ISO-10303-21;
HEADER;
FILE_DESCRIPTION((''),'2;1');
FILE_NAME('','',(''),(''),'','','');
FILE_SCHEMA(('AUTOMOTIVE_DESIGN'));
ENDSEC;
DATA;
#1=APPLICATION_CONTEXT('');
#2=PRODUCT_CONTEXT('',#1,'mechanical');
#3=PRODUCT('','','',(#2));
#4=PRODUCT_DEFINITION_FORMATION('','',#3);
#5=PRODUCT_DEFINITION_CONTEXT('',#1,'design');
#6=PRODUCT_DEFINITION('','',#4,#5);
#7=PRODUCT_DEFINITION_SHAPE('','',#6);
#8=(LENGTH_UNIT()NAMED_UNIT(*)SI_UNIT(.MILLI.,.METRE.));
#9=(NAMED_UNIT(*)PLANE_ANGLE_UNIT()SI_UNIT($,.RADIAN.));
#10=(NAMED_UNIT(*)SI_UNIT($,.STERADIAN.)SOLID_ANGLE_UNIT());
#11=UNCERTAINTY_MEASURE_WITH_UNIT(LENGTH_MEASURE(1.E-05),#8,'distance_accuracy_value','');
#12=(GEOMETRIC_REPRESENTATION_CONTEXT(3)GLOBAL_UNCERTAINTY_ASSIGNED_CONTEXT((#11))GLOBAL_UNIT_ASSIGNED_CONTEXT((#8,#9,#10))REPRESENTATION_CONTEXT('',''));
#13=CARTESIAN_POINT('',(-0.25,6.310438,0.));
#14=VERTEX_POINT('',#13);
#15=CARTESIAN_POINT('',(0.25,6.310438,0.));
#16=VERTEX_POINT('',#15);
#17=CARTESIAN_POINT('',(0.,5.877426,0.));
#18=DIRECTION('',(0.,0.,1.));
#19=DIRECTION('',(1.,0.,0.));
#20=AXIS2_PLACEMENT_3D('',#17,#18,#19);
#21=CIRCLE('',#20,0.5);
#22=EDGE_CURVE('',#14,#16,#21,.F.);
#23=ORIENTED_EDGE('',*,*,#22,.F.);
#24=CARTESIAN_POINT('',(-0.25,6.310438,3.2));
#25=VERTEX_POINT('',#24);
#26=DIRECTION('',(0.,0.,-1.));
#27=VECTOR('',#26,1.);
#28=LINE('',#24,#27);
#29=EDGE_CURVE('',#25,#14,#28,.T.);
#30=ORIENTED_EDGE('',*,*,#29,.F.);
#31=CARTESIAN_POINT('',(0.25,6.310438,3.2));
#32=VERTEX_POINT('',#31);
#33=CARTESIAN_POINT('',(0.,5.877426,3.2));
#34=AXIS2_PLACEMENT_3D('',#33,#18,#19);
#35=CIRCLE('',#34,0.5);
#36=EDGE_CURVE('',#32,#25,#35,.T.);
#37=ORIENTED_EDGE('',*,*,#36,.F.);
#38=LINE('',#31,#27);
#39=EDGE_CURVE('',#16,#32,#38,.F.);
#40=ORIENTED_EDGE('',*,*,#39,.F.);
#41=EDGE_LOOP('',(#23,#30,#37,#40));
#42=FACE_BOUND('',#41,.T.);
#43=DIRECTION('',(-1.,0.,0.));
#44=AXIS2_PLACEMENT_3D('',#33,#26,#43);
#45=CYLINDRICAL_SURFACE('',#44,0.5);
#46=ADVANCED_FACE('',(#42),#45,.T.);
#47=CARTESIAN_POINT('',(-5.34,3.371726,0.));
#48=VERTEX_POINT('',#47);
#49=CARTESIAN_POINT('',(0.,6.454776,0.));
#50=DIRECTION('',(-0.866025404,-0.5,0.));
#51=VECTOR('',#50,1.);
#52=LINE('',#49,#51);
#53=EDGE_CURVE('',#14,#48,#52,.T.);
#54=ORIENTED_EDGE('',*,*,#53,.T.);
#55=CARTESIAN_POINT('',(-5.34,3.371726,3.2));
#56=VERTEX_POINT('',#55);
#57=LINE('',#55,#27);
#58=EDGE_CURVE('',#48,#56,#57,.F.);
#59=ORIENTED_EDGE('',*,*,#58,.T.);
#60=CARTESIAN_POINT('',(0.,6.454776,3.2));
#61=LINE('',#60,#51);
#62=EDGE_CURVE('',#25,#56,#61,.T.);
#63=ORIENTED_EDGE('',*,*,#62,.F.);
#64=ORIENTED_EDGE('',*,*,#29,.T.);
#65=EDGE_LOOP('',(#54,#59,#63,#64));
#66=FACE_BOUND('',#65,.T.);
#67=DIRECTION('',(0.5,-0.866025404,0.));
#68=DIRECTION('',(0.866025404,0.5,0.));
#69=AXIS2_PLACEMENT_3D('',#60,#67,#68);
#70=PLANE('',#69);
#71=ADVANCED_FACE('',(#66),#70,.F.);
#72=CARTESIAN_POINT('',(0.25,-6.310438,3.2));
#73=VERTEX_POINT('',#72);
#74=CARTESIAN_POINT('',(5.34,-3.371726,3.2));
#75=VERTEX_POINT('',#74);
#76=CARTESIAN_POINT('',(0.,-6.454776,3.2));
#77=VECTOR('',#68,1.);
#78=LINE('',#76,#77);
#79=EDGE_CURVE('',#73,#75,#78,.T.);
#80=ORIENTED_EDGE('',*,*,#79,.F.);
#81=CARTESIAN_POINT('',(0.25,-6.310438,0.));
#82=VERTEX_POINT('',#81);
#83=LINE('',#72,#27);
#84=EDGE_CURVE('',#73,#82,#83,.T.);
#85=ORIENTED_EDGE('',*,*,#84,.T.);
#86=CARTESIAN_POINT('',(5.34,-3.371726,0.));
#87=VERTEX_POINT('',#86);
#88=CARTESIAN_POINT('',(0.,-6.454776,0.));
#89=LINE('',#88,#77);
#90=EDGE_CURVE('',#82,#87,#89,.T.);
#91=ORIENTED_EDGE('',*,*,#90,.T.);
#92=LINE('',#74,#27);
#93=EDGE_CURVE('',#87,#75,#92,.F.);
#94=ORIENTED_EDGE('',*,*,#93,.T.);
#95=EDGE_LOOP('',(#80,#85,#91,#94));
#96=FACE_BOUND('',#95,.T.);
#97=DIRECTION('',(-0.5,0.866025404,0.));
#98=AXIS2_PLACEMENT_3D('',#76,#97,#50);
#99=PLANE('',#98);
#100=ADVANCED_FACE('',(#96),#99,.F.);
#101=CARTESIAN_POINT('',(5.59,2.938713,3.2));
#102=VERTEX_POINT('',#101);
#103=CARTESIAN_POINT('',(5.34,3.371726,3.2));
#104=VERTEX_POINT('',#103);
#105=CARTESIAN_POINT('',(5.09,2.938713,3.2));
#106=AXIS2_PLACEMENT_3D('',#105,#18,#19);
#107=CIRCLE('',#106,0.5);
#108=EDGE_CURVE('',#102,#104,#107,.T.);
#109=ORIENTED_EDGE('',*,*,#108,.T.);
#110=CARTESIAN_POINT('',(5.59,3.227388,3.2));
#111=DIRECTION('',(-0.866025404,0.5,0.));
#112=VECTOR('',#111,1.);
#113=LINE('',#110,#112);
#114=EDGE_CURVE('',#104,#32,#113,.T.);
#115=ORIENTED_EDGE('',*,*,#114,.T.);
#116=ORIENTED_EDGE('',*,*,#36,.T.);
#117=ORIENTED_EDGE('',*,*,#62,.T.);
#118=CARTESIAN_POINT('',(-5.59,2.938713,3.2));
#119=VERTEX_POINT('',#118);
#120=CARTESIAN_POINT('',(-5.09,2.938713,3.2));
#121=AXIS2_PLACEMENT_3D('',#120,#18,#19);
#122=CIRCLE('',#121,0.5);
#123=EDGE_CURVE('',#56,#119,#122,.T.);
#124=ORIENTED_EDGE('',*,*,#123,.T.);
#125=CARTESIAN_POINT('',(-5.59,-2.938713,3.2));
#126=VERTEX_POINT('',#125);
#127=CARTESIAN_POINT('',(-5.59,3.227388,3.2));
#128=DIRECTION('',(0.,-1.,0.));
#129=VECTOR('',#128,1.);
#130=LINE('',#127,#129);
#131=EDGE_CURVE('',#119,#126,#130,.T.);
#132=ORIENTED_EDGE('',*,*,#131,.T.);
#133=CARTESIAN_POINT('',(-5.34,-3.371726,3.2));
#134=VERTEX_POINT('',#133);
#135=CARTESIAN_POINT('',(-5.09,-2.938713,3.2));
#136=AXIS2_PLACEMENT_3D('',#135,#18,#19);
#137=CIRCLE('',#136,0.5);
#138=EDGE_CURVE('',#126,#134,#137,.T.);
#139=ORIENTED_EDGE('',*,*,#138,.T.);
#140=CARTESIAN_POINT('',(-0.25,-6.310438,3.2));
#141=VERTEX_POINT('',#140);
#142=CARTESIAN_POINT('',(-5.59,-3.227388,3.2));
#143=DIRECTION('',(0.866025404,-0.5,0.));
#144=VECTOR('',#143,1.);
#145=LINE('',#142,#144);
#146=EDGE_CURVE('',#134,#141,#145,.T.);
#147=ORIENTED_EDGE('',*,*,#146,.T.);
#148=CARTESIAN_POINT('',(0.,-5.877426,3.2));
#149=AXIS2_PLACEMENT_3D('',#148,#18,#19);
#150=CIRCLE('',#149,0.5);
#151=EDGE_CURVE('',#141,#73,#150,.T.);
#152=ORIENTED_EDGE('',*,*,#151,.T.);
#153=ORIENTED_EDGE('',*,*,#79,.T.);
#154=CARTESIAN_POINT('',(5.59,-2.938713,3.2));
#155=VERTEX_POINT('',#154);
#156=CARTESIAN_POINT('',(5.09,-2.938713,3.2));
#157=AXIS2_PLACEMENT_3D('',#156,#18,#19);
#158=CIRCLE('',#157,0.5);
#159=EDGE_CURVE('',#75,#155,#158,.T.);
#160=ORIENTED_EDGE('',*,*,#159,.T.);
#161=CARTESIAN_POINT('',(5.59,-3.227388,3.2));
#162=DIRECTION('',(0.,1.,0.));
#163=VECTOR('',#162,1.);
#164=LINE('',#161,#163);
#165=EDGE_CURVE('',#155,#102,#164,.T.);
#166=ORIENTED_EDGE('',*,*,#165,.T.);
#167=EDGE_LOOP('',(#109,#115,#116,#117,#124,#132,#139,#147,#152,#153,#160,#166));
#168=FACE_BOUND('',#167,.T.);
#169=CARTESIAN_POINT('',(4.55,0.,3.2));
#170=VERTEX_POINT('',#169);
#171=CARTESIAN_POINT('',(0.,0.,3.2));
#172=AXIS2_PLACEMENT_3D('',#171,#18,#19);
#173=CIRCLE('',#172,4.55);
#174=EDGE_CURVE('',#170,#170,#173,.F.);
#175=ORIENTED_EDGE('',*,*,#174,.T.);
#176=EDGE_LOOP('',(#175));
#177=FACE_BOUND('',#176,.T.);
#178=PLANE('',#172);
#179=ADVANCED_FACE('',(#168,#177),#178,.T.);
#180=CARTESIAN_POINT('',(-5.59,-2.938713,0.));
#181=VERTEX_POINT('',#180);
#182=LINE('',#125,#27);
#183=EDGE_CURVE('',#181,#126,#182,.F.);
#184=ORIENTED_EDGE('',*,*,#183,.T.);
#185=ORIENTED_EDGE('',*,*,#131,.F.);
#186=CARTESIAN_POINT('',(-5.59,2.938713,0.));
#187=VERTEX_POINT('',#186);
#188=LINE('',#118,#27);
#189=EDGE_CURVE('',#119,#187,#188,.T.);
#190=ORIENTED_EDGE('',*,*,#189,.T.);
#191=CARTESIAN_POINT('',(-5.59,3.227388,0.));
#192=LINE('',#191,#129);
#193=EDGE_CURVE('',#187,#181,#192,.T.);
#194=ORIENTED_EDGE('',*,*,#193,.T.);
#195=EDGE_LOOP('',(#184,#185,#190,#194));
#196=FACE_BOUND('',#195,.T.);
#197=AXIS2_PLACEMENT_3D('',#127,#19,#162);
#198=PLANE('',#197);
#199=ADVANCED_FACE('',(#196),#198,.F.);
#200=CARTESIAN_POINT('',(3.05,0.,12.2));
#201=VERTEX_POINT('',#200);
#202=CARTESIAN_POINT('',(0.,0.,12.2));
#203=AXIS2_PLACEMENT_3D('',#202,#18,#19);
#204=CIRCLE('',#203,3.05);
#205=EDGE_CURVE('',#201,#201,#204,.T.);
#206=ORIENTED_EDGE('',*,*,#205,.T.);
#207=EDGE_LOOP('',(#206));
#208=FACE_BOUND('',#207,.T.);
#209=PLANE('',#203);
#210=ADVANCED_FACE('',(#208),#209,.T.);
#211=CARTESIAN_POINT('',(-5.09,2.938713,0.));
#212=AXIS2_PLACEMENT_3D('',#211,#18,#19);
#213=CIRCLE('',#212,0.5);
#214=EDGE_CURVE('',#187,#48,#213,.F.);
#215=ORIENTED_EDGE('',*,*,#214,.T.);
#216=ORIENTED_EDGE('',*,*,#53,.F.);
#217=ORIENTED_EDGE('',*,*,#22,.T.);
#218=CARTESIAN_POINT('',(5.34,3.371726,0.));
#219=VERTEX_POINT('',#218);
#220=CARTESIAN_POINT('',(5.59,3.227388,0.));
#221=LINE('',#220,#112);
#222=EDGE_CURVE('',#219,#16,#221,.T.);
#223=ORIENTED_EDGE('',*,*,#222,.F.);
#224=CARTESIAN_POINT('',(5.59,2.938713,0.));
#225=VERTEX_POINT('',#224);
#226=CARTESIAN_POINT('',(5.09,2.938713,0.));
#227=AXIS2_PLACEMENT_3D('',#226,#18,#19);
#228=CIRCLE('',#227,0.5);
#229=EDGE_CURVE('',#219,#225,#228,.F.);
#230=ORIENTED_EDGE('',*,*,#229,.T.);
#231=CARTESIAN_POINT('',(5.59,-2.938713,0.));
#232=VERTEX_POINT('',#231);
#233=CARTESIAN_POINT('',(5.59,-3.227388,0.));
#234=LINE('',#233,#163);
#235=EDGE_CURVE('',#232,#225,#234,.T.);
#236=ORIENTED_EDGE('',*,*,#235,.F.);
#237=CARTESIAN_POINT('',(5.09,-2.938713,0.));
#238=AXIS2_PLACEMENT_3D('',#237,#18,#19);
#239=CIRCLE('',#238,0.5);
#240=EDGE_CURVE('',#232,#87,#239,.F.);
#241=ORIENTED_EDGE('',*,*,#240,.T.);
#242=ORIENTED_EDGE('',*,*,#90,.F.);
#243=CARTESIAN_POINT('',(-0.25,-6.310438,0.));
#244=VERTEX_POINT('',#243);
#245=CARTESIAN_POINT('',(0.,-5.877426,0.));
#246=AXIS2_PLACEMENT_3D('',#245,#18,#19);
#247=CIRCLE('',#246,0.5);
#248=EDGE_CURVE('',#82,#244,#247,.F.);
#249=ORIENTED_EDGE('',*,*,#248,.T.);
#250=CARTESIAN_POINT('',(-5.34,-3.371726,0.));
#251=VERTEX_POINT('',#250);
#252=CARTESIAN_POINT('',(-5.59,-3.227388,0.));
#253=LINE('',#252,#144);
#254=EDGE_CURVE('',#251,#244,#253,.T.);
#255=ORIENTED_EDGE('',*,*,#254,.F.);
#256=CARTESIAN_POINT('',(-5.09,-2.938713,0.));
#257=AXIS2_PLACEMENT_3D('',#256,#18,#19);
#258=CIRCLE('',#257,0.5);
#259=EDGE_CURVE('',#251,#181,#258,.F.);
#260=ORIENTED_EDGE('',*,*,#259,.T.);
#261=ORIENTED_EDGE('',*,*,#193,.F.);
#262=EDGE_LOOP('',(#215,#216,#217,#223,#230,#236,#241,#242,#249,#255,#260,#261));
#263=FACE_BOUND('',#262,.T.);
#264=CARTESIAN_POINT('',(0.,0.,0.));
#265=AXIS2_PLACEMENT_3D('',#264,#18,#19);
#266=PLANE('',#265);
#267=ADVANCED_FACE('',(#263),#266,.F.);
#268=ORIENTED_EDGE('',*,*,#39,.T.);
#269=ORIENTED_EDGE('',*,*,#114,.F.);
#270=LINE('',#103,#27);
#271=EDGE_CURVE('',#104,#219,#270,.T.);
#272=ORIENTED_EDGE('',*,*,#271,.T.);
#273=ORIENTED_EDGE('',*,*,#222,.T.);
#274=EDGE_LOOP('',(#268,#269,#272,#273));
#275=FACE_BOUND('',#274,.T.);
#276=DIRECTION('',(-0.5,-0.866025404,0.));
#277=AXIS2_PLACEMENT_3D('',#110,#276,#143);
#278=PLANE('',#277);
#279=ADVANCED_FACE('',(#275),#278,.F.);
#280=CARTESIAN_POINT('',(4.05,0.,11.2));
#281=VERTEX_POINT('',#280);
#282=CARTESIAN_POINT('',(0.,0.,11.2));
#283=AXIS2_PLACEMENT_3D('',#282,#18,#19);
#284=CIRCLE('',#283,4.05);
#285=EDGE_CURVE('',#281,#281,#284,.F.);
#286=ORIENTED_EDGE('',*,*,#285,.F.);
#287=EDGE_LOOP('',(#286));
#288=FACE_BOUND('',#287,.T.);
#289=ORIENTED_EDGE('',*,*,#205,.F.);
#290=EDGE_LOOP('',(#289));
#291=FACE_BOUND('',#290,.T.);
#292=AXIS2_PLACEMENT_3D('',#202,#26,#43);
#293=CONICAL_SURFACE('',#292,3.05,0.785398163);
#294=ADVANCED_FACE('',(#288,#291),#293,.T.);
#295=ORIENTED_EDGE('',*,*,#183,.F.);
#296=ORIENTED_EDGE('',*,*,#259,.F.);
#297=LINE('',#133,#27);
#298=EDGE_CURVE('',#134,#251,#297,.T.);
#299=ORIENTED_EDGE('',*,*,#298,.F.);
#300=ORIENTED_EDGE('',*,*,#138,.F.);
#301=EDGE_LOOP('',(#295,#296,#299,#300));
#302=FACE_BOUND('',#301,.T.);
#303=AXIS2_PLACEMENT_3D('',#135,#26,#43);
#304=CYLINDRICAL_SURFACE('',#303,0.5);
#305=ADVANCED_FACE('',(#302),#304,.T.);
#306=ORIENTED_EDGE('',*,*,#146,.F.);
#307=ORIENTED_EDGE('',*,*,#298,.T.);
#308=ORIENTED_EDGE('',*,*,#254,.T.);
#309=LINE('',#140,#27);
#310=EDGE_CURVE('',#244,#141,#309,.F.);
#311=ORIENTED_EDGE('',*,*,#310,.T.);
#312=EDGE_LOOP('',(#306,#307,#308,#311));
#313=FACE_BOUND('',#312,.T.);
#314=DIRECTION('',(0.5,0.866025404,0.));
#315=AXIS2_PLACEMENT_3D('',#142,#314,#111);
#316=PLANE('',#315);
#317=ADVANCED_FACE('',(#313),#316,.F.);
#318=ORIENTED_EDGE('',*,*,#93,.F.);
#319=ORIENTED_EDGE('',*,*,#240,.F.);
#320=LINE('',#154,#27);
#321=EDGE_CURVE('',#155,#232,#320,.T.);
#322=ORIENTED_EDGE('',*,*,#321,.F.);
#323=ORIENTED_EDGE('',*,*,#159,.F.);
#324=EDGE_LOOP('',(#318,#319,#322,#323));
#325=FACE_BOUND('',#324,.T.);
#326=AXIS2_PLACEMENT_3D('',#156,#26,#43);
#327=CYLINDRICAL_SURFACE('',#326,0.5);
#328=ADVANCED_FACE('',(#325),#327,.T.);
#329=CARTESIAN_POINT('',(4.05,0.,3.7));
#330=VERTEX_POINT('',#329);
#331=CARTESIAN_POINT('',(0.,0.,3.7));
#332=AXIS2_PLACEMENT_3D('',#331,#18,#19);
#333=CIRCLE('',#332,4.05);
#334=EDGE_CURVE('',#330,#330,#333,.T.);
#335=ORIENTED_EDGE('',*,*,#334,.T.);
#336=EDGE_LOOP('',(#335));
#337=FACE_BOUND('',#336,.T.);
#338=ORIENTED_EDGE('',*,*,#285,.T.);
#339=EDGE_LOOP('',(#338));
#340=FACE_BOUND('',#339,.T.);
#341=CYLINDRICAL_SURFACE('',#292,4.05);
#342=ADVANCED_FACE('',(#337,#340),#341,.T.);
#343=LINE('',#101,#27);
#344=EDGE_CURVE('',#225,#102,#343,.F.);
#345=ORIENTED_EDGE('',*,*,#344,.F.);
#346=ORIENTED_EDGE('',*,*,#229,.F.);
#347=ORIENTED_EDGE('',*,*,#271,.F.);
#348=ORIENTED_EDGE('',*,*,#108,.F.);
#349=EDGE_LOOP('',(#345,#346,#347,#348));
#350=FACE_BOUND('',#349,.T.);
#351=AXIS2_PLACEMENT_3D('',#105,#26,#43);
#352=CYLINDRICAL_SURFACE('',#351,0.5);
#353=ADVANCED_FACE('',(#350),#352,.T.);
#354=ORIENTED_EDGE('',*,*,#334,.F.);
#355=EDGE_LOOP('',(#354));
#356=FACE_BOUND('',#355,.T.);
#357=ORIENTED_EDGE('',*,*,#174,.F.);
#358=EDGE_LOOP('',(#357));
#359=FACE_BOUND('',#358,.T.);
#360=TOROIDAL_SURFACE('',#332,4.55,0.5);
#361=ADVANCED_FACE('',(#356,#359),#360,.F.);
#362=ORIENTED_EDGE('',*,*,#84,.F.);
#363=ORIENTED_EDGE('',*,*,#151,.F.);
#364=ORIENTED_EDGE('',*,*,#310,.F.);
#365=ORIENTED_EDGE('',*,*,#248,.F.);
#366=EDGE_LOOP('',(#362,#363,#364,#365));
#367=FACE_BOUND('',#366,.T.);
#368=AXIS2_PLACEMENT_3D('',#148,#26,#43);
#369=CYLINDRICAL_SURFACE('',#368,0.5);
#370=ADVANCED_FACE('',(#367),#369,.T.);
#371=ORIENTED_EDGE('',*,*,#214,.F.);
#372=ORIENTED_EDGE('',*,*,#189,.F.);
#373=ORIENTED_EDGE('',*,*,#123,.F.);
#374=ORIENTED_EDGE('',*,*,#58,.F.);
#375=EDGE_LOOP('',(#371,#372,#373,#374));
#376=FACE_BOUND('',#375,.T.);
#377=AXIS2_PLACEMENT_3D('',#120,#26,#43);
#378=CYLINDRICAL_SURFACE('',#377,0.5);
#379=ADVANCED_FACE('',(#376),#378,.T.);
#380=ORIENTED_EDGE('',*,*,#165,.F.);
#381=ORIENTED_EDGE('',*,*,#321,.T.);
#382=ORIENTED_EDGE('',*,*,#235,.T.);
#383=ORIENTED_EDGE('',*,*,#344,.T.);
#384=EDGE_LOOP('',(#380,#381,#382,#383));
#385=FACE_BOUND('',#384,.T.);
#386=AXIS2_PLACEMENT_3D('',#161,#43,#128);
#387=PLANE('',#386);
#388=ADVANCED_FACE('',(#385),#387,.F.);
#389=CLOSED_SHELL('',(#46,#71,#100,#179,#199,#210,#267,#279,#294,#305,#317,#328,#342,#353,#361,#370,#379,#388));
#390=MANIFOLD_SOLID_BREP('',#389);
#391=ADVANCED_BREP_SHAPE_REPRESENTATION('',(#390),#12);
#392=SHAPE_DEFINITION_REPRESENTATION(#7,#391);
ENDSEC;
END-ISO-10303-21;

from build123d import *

# Parameters (mm, degrees)
BOSS_EXTRUDE1_DEPTH = 3.2
SKETCH2_R           = 4.05
BOSS_EXTRUDE2_DEPTH = 9
FILLET1_R           = 0.5
CHAMFER1_SIZE       = 1


with BuildPart() as part:
    # Sketch1 → Boss-Extrude1 (new body)
    with BuildSketch(Plane.XY):
        Polygon((5.59, 3.227388005), (0, 6.45477601), (-5.59, 3.227388005), (-5.59, -3.227388005), (0, -6.45477601), (5.59, -3.227388005), align=None)
    extrude(amount=BOSS_EXTRUDE1_DEPTH)

    # Sketch2 → Boss-Extrude2 (add)
    with BuildSketch(Plane.XY.offset(3.2)):
        Circle(SKETCH2_R)
    extrude(amount=BOSS_EXTRUDE2_DEPTH)

    # Fillet1
    fillet1_edges = [part.edges().sort_by_distance(p)[0] for p in [
        (5.59, -3.227388005, 1.6),
        (0, -6.45477601, 1.6),
        (-5.59, -3.227388005, 1.6),
        (-5.59, 3.227388005, 1.6),
        (0, 6.45477601, 1.6),
        (5.59, 3.227388005, 1.6),
        (-4.05, 0, 3.2),
    ]]
    fillet(fillet1_edges, radius=FILLET1_R)

    # Chamfer1
    chamfer1_edges = [part.edges().sort_by_distance(p)[0] for p in [
        (-4.05, 0, 12.2),
    ]]
    chamfer(chamfer1_edges, length=CHAMFER1_SIZE)


solid = part.part
